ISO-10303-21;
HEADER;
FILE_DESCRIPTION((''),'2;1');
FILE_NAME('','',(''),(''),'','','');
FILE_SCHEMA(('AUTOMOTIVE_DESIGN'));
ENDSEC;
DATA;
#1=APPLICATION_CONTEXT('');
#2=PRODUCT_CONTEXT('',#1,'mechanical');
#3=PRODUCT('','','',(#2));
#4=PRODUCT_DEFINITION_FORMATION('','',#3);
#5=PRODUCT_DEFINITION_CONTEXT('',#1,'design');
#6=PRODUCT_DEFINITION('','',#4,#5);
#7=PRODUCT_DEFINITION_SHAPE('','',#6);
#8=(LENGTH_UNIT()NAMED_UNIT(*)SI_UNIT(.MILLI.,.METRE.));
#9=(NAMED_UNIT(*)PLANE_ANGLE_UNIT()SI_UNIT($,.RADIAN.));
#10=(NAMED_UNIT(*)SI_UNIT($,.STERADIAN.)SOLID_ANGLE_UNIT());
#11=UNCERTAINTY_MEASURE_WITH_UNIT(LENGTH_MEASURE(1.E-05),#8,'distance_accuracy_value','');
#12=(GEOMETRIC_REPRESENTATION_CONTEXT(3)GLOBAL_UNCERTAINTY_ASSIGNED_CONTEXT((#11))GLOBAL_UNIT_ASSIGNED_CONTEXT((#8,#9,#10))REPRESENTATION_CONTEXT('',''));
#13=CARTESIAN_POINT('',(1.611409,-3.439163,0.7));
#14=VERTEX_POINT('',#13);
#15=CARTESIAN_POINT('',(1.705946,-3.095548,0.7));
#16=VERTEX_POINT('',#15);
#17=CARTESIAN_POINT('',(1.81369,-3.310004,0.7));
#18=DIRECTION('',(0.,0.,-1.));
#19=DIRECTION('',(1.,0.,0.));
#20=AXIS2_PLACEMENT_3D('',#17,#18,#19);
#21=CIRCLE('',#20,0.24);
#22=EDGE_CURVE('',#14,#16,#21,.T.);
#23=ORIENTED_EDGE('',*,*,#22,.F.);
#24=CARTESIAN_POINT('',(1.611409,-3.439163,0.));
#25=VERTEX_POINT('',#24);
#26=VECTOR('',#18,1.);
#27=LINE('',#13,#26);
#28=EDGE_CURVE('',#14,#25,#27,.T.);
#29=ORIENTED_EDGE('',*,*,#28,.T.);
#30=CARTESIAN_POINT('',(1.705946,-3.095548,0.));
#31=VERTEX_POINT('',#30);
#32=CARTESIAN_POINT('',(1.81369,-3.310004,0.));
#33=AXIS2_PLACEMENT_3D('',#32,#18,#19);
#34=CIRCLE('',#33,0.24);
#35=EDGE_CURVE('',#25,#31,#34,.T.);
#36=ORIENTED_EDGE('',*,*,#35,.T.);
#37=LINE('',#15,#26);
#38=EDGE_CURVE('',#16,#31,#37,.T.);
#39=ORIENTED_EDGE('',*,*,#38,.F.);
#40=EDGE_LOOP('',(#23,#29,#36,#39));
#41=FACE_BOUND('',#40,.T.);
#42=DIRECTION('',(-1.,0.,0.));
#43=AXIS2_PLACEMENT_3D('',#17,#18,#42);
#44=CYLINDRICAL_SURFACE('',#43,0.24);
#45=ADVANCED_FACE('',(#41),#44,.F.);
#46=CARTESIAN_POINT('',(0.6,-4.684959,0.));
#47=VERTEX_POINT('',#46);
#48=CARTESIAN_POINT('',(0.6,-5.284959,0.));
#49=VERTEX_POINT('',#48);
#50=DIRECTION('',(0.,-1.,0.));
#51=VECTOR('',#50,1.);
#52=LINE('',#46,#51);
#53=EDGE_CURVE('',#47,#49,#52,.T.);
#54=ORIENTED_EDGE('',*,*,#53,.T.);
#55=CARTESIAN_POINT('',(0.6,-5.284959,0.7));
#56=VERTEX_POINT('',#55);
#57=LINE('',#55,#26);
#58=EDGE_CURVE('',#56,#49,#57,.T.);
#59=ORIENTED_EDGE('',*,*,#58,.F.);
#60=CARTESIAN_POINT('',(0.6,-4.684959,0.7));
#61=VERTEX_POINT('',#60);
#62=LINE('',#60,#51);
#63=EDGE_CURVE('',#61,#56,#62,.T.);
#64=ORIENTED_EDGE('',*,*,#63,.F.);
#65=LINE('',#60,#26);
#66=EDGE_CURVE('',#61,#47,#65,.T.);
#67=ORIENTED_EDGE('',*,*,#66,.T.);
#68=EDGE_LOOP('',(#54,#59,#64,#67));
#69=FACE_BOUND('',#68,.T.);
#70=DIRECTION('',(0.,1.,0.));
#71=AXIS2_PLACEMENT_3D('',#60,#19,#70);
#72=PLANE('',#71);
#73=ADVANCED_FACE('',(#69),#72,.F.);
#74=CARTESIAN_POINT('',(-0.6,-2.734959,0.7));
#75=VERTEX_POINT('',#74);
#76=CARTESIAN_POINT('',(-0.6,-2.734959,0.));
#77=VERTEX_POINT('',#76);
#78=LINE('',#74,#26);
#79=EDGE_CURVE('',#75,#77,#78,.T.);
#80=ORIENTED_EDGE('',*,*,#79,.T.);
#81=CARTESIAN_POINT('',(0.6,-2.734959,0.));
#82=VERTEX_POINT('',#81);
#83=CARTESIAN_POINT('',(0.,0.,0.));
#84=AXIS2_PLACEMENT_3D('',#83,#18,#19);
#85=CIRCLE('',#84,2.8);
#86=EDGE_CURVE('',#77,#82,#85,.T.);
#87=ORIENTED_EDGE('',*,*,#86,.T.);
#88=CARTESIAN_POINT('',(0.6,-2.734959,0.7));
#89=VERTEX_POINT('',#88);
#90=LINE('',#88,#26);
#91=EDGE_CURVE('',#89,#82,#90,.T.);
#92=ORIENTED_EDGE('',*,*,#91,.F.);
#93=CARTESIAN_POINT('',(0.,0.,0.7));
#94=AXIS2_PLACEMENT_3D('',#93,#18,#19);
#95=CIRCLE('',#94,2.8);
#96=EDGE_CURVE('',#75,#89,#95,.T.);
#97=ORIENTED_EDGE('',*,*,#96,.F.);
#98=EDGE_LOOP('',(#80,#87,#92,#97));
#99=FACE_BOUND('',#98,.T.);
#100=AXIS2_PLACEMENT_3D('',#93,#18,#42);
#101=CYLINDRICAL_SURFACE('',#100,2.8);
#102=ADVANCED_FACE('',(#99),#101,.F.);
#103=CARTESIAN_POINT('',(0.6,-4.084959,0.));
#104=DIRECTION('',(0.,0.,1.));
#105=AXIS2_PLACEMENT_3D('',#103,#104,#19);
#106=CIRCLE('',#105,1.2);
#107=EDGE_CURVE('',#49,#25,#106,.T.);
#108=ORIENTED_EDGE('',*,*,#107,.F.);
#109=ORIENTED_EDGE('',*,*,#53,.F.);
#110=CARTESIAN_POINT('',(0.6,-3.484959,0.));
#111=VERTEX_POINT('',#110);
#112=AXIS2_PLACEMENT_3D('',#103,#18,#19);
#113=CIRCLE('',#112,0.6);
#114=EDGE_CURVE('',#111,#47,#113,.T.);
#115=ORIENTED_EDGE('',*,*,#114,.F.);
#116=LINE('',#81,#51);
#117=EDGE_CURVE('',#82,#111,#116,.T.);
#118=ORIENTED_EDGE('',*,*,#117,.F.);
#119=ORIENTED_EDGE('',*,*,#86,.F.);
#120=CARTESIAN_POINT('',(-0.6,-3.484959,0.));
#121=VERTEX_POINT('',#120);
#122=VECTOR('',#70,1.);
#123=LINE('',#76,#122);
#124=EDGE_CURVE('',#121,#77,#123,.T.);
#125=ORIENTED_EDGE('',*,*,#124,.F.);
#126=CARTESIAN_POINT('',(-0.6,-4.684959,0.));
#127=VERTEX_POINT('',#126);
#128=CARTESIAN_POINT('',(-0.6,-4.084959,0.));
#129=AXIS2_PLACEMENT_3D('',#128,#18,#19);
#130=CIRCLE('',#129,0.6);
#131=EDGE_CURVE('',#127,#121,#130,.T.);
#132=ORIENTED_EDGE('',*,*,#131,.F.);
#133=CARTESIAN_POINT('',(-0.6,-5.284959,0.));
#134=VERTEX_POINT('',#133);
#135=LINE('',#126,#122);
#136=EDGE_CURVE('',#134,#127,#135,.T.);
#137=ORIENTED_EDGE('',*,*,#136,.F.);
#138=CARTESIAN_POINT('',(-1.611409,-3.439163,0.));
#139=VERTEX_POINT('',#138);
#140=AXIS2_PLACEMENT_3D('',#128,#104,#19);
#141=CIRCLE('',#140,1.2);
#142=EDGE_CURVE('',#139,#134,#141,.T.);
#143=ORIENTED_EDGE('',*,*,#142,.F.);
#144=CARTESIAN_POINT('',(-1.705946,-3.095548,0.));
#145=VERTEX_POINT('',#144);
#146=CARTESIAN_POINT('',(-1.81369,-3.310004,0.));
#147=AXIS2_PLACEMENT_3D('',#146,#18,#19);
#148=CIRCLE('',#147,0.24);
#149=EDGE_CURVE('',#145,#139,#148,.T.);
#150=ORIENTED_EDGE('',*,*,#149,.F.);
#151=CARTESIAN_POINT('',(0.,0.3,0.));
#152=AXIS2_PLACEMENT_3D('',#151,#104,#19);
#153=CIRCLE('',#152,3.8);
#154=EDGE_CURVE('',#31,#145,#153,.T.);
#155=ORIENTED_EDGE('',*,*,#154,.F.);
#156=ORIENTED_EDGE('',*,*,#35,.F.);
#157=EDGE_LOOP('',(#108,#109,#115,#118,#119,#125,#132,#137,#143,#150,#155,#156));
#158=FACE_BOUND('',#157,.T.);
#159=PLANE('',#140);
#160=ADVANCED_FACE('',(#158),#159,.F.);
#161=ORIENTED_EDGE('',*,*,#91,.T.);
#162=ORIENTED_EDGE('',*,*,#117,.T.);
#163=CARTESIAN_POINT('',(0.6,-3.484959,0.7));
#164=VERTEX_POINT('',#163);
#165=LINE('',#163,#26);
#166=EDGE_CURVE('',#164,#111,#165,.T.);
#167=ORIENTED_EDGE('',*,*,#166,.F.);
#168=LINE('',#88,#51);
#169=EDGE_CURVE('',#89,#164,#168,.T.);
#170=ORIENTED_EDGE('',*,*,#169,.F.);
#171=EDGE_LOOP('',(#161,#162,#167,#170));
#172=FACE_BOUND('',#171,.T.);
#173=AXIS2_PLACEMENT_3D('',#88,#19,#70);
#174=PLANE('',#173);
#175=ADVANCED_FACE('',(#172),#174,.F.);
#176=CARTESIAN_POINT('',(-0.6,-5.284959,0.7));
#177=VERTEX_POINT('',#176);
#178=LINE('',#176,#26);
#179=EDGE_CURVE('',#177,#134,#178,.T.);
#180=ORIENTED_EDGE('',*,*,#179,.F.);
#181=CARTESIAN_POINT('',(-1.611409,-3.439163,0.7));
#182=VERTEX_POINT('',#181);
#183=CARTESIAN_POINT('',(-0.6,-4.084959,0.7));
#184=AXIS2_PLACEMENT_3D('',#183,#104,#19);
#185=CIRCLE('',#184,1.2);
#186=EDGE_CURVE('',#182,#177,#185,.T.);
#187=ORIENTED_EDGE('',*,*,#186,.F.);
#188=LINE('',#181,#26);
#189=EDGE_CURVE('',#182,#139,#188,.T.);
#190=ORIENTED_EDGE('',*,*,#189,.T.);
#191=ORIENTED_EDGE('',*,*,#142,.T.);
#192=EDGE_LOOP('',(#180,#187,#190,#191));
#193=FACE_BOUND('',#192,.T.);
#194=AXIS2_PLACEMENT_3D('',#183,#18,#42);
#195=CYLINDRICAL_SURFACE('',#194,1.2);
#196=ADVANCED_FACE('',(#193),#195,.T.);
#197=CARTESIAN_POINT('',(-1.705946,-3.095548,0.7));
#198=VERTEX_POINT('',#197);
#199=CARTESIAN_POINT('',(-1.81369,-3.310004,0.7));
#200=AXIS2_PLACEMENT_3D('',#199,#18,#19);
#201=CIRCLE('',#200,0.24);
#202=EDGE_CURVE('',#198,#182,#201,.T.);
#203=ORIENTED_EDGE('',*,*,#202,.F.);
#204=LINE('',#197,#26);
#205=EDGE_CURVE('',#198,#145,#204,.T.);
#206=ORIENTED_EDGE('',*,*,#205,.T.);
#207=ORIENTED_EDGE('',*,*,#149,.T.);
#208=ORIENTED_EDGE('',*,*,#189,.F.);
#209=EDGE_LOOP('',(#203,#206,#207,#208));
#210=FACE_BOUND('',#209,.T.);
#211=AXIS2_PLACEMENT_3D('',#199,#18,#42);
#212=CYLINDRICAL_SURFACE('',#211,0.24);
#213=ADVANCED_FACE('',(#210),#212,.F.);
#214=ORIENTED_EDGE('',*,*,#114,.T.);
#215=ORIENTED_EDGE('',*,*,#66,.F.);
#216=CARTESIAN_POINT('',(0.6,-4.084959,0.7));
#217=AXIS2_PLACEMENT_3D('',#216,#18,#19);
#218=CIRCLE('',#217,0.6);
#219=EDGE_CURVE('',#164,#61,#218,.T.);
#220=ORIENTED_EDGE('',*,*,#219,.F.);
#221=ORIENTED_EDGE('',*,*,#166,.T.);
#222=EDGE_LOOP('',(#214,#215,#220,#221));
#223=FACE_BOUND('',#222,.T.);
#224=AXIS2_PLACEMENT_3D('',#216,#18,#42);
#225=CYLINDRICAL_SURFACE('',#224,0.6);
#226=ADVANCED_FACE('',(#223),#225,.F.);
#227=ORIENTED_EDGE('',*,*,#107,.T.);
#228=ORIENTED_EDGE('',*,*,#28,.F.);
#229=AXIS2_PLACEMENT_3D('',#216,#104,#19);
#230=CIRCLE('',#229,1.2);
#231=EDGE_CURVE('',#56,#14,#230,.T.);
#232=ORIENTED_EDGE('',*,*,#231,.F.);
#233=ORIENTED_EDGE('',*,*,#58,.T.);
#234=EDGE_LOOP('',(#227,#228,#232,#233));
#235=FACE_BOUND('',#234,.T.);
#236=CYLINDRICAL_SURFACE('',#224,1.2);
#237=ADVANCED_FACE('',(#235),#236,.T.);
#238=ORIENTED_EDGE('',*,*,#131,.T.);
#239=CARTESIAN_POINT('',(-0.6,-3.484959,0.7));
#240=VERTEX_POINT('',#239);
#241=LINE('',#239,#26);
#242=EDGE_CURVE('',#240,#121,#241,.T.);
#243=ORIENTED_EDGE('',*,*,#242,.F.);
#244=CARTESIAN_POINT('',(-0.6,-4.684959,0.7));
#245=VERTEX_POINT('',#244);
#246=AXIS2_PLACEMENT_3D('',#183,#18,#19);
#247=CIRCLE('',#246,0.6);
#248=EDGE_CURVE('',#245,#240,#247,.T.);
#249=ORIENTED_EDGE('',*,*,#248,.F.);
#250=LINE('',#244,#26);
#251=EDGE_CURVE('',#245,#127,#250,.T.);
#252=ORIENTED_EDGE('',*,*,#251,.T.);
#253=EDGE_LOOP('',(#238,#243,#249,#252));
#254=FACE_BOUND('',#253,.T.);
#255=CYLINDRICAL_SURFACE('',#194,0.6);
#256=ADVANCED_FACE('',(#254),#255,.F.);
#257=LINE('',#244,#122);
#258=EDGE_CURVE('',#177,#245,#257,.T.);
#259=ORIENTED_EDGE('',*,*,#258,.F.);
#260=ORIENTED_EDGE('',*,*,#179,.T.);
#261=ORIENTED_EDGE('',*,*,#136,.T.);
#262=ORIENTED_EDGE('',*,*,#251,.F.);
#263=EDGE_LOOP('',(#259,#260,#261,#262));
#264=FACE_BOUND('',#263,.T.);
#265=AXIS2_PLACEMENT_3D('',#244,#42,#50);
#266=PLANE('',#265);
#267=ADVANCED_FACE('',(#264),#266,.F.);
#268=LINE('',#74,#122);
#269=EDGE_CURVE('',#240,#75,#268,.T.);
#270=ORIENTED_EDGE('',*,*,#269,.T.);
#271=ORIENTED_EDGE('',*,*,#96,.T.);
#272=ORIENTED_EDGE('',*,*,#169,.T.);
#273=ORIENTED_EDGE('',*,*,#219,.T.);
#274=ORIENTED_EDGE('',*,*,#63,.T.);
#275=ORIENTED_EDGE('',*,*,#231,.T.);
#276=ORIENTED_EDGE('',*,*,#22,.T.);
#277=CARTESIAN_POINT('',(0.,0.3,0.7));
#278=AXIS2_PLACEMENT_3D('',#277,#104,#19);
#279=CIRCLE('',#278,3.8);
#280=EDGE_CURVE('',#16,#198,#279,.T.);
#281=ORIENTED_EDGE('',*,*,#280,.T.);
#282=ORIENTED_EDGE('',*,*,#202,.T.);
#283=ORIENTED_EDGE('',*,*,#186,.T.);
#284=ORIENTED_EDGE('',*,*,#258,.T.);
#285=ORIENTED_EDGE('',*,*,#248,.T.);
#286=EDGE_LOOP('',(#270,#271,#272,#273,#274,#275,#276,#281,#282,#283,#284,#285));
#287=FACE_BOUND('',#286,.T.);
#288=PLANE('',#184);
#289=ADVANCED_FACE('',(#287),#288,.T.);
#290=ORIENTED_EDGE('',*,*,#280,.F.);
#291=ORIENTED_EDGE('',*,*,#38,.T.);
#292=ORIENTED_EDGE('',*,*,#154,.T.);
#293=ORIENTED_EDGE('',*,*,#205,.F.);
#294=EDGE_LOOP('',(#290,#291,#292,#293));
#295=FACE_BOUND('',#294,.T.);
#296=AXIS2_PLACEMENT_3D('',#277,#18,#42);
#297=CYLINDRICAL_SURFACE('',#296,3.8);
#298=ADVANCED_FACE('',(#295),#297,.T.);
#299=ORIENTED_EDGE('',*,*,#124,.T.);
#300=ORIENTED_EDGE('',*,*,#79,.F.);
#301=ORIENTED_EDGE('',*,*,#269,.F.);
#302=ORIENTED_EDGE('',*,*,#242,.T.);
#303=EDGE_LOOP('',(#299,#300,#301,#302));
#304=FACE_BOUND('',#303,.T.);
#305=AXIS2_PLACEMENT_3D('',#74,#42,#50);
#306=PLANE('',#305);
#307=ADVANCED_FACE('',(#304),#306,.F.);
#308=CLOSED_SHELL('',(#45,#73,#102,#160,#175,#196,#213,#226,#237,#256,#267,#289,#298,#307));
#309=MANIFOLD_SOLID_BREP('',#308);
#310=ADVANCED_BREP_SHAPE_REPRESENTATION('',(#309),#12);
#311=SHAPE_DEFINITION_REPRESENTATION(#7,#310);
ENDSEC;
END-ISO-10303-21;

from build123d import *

# Parameters (mm, degrees)
EXTRUDE_1_DEPTH = 0.7


with BuildPart() as part:
    # Sketch 288 → 拉伸1 (new body)
    with BuildSketch(Plane.XY):
        with BuildLine():
            Line((-0.6, -2.734958866), (-0.6, -3.484958866))
            ThreePointArc((-0.6, -3.484958866), (-1.2, -4.084958866), (-0.6, -4.684958866))
            Line((-0.6, -4.684958866), (-0.6, -5.284958866))
            ThreePointArc((-0.6, -5.284958866), (-1.652367602, -4.661606446), (-1.611408717, -3.439162917))
            ThreePointArc((-1.611408717, -3.439162917), (-1.582288686, -3.246338831), (-1.705946473, -3.095548061))
            ThreePointArc((-1.705946473, -3.095548061), (0, 4.1), (1.705946473, -3.095548061))
            ThreePointArc((1.705946473, -3.095548061), (1.582288686, -3.246338831), (1.611408717, -3.439162917))
            ThreePointArc((1.611408717, -3.439162917), (1.652367602, -4.661606446), (0.6, -5.284958866))
            Line((0.6, -5.284958866), (0.6, -4.684958866))
            ThreePointArc((0.6, -4.684958866), (1.2, -4.084958866), (0.6, -3.484958866))
            Line((0.6, -3.484958866), (0.6, -2.734958866))
            ThreePointArc((0.6, -2.734958866), (0, 2.8), (-0.6, -2.734958866))
        make_face()
    extrude(amount=EXTRUDE_1_DEPTH)


solid = part.part
